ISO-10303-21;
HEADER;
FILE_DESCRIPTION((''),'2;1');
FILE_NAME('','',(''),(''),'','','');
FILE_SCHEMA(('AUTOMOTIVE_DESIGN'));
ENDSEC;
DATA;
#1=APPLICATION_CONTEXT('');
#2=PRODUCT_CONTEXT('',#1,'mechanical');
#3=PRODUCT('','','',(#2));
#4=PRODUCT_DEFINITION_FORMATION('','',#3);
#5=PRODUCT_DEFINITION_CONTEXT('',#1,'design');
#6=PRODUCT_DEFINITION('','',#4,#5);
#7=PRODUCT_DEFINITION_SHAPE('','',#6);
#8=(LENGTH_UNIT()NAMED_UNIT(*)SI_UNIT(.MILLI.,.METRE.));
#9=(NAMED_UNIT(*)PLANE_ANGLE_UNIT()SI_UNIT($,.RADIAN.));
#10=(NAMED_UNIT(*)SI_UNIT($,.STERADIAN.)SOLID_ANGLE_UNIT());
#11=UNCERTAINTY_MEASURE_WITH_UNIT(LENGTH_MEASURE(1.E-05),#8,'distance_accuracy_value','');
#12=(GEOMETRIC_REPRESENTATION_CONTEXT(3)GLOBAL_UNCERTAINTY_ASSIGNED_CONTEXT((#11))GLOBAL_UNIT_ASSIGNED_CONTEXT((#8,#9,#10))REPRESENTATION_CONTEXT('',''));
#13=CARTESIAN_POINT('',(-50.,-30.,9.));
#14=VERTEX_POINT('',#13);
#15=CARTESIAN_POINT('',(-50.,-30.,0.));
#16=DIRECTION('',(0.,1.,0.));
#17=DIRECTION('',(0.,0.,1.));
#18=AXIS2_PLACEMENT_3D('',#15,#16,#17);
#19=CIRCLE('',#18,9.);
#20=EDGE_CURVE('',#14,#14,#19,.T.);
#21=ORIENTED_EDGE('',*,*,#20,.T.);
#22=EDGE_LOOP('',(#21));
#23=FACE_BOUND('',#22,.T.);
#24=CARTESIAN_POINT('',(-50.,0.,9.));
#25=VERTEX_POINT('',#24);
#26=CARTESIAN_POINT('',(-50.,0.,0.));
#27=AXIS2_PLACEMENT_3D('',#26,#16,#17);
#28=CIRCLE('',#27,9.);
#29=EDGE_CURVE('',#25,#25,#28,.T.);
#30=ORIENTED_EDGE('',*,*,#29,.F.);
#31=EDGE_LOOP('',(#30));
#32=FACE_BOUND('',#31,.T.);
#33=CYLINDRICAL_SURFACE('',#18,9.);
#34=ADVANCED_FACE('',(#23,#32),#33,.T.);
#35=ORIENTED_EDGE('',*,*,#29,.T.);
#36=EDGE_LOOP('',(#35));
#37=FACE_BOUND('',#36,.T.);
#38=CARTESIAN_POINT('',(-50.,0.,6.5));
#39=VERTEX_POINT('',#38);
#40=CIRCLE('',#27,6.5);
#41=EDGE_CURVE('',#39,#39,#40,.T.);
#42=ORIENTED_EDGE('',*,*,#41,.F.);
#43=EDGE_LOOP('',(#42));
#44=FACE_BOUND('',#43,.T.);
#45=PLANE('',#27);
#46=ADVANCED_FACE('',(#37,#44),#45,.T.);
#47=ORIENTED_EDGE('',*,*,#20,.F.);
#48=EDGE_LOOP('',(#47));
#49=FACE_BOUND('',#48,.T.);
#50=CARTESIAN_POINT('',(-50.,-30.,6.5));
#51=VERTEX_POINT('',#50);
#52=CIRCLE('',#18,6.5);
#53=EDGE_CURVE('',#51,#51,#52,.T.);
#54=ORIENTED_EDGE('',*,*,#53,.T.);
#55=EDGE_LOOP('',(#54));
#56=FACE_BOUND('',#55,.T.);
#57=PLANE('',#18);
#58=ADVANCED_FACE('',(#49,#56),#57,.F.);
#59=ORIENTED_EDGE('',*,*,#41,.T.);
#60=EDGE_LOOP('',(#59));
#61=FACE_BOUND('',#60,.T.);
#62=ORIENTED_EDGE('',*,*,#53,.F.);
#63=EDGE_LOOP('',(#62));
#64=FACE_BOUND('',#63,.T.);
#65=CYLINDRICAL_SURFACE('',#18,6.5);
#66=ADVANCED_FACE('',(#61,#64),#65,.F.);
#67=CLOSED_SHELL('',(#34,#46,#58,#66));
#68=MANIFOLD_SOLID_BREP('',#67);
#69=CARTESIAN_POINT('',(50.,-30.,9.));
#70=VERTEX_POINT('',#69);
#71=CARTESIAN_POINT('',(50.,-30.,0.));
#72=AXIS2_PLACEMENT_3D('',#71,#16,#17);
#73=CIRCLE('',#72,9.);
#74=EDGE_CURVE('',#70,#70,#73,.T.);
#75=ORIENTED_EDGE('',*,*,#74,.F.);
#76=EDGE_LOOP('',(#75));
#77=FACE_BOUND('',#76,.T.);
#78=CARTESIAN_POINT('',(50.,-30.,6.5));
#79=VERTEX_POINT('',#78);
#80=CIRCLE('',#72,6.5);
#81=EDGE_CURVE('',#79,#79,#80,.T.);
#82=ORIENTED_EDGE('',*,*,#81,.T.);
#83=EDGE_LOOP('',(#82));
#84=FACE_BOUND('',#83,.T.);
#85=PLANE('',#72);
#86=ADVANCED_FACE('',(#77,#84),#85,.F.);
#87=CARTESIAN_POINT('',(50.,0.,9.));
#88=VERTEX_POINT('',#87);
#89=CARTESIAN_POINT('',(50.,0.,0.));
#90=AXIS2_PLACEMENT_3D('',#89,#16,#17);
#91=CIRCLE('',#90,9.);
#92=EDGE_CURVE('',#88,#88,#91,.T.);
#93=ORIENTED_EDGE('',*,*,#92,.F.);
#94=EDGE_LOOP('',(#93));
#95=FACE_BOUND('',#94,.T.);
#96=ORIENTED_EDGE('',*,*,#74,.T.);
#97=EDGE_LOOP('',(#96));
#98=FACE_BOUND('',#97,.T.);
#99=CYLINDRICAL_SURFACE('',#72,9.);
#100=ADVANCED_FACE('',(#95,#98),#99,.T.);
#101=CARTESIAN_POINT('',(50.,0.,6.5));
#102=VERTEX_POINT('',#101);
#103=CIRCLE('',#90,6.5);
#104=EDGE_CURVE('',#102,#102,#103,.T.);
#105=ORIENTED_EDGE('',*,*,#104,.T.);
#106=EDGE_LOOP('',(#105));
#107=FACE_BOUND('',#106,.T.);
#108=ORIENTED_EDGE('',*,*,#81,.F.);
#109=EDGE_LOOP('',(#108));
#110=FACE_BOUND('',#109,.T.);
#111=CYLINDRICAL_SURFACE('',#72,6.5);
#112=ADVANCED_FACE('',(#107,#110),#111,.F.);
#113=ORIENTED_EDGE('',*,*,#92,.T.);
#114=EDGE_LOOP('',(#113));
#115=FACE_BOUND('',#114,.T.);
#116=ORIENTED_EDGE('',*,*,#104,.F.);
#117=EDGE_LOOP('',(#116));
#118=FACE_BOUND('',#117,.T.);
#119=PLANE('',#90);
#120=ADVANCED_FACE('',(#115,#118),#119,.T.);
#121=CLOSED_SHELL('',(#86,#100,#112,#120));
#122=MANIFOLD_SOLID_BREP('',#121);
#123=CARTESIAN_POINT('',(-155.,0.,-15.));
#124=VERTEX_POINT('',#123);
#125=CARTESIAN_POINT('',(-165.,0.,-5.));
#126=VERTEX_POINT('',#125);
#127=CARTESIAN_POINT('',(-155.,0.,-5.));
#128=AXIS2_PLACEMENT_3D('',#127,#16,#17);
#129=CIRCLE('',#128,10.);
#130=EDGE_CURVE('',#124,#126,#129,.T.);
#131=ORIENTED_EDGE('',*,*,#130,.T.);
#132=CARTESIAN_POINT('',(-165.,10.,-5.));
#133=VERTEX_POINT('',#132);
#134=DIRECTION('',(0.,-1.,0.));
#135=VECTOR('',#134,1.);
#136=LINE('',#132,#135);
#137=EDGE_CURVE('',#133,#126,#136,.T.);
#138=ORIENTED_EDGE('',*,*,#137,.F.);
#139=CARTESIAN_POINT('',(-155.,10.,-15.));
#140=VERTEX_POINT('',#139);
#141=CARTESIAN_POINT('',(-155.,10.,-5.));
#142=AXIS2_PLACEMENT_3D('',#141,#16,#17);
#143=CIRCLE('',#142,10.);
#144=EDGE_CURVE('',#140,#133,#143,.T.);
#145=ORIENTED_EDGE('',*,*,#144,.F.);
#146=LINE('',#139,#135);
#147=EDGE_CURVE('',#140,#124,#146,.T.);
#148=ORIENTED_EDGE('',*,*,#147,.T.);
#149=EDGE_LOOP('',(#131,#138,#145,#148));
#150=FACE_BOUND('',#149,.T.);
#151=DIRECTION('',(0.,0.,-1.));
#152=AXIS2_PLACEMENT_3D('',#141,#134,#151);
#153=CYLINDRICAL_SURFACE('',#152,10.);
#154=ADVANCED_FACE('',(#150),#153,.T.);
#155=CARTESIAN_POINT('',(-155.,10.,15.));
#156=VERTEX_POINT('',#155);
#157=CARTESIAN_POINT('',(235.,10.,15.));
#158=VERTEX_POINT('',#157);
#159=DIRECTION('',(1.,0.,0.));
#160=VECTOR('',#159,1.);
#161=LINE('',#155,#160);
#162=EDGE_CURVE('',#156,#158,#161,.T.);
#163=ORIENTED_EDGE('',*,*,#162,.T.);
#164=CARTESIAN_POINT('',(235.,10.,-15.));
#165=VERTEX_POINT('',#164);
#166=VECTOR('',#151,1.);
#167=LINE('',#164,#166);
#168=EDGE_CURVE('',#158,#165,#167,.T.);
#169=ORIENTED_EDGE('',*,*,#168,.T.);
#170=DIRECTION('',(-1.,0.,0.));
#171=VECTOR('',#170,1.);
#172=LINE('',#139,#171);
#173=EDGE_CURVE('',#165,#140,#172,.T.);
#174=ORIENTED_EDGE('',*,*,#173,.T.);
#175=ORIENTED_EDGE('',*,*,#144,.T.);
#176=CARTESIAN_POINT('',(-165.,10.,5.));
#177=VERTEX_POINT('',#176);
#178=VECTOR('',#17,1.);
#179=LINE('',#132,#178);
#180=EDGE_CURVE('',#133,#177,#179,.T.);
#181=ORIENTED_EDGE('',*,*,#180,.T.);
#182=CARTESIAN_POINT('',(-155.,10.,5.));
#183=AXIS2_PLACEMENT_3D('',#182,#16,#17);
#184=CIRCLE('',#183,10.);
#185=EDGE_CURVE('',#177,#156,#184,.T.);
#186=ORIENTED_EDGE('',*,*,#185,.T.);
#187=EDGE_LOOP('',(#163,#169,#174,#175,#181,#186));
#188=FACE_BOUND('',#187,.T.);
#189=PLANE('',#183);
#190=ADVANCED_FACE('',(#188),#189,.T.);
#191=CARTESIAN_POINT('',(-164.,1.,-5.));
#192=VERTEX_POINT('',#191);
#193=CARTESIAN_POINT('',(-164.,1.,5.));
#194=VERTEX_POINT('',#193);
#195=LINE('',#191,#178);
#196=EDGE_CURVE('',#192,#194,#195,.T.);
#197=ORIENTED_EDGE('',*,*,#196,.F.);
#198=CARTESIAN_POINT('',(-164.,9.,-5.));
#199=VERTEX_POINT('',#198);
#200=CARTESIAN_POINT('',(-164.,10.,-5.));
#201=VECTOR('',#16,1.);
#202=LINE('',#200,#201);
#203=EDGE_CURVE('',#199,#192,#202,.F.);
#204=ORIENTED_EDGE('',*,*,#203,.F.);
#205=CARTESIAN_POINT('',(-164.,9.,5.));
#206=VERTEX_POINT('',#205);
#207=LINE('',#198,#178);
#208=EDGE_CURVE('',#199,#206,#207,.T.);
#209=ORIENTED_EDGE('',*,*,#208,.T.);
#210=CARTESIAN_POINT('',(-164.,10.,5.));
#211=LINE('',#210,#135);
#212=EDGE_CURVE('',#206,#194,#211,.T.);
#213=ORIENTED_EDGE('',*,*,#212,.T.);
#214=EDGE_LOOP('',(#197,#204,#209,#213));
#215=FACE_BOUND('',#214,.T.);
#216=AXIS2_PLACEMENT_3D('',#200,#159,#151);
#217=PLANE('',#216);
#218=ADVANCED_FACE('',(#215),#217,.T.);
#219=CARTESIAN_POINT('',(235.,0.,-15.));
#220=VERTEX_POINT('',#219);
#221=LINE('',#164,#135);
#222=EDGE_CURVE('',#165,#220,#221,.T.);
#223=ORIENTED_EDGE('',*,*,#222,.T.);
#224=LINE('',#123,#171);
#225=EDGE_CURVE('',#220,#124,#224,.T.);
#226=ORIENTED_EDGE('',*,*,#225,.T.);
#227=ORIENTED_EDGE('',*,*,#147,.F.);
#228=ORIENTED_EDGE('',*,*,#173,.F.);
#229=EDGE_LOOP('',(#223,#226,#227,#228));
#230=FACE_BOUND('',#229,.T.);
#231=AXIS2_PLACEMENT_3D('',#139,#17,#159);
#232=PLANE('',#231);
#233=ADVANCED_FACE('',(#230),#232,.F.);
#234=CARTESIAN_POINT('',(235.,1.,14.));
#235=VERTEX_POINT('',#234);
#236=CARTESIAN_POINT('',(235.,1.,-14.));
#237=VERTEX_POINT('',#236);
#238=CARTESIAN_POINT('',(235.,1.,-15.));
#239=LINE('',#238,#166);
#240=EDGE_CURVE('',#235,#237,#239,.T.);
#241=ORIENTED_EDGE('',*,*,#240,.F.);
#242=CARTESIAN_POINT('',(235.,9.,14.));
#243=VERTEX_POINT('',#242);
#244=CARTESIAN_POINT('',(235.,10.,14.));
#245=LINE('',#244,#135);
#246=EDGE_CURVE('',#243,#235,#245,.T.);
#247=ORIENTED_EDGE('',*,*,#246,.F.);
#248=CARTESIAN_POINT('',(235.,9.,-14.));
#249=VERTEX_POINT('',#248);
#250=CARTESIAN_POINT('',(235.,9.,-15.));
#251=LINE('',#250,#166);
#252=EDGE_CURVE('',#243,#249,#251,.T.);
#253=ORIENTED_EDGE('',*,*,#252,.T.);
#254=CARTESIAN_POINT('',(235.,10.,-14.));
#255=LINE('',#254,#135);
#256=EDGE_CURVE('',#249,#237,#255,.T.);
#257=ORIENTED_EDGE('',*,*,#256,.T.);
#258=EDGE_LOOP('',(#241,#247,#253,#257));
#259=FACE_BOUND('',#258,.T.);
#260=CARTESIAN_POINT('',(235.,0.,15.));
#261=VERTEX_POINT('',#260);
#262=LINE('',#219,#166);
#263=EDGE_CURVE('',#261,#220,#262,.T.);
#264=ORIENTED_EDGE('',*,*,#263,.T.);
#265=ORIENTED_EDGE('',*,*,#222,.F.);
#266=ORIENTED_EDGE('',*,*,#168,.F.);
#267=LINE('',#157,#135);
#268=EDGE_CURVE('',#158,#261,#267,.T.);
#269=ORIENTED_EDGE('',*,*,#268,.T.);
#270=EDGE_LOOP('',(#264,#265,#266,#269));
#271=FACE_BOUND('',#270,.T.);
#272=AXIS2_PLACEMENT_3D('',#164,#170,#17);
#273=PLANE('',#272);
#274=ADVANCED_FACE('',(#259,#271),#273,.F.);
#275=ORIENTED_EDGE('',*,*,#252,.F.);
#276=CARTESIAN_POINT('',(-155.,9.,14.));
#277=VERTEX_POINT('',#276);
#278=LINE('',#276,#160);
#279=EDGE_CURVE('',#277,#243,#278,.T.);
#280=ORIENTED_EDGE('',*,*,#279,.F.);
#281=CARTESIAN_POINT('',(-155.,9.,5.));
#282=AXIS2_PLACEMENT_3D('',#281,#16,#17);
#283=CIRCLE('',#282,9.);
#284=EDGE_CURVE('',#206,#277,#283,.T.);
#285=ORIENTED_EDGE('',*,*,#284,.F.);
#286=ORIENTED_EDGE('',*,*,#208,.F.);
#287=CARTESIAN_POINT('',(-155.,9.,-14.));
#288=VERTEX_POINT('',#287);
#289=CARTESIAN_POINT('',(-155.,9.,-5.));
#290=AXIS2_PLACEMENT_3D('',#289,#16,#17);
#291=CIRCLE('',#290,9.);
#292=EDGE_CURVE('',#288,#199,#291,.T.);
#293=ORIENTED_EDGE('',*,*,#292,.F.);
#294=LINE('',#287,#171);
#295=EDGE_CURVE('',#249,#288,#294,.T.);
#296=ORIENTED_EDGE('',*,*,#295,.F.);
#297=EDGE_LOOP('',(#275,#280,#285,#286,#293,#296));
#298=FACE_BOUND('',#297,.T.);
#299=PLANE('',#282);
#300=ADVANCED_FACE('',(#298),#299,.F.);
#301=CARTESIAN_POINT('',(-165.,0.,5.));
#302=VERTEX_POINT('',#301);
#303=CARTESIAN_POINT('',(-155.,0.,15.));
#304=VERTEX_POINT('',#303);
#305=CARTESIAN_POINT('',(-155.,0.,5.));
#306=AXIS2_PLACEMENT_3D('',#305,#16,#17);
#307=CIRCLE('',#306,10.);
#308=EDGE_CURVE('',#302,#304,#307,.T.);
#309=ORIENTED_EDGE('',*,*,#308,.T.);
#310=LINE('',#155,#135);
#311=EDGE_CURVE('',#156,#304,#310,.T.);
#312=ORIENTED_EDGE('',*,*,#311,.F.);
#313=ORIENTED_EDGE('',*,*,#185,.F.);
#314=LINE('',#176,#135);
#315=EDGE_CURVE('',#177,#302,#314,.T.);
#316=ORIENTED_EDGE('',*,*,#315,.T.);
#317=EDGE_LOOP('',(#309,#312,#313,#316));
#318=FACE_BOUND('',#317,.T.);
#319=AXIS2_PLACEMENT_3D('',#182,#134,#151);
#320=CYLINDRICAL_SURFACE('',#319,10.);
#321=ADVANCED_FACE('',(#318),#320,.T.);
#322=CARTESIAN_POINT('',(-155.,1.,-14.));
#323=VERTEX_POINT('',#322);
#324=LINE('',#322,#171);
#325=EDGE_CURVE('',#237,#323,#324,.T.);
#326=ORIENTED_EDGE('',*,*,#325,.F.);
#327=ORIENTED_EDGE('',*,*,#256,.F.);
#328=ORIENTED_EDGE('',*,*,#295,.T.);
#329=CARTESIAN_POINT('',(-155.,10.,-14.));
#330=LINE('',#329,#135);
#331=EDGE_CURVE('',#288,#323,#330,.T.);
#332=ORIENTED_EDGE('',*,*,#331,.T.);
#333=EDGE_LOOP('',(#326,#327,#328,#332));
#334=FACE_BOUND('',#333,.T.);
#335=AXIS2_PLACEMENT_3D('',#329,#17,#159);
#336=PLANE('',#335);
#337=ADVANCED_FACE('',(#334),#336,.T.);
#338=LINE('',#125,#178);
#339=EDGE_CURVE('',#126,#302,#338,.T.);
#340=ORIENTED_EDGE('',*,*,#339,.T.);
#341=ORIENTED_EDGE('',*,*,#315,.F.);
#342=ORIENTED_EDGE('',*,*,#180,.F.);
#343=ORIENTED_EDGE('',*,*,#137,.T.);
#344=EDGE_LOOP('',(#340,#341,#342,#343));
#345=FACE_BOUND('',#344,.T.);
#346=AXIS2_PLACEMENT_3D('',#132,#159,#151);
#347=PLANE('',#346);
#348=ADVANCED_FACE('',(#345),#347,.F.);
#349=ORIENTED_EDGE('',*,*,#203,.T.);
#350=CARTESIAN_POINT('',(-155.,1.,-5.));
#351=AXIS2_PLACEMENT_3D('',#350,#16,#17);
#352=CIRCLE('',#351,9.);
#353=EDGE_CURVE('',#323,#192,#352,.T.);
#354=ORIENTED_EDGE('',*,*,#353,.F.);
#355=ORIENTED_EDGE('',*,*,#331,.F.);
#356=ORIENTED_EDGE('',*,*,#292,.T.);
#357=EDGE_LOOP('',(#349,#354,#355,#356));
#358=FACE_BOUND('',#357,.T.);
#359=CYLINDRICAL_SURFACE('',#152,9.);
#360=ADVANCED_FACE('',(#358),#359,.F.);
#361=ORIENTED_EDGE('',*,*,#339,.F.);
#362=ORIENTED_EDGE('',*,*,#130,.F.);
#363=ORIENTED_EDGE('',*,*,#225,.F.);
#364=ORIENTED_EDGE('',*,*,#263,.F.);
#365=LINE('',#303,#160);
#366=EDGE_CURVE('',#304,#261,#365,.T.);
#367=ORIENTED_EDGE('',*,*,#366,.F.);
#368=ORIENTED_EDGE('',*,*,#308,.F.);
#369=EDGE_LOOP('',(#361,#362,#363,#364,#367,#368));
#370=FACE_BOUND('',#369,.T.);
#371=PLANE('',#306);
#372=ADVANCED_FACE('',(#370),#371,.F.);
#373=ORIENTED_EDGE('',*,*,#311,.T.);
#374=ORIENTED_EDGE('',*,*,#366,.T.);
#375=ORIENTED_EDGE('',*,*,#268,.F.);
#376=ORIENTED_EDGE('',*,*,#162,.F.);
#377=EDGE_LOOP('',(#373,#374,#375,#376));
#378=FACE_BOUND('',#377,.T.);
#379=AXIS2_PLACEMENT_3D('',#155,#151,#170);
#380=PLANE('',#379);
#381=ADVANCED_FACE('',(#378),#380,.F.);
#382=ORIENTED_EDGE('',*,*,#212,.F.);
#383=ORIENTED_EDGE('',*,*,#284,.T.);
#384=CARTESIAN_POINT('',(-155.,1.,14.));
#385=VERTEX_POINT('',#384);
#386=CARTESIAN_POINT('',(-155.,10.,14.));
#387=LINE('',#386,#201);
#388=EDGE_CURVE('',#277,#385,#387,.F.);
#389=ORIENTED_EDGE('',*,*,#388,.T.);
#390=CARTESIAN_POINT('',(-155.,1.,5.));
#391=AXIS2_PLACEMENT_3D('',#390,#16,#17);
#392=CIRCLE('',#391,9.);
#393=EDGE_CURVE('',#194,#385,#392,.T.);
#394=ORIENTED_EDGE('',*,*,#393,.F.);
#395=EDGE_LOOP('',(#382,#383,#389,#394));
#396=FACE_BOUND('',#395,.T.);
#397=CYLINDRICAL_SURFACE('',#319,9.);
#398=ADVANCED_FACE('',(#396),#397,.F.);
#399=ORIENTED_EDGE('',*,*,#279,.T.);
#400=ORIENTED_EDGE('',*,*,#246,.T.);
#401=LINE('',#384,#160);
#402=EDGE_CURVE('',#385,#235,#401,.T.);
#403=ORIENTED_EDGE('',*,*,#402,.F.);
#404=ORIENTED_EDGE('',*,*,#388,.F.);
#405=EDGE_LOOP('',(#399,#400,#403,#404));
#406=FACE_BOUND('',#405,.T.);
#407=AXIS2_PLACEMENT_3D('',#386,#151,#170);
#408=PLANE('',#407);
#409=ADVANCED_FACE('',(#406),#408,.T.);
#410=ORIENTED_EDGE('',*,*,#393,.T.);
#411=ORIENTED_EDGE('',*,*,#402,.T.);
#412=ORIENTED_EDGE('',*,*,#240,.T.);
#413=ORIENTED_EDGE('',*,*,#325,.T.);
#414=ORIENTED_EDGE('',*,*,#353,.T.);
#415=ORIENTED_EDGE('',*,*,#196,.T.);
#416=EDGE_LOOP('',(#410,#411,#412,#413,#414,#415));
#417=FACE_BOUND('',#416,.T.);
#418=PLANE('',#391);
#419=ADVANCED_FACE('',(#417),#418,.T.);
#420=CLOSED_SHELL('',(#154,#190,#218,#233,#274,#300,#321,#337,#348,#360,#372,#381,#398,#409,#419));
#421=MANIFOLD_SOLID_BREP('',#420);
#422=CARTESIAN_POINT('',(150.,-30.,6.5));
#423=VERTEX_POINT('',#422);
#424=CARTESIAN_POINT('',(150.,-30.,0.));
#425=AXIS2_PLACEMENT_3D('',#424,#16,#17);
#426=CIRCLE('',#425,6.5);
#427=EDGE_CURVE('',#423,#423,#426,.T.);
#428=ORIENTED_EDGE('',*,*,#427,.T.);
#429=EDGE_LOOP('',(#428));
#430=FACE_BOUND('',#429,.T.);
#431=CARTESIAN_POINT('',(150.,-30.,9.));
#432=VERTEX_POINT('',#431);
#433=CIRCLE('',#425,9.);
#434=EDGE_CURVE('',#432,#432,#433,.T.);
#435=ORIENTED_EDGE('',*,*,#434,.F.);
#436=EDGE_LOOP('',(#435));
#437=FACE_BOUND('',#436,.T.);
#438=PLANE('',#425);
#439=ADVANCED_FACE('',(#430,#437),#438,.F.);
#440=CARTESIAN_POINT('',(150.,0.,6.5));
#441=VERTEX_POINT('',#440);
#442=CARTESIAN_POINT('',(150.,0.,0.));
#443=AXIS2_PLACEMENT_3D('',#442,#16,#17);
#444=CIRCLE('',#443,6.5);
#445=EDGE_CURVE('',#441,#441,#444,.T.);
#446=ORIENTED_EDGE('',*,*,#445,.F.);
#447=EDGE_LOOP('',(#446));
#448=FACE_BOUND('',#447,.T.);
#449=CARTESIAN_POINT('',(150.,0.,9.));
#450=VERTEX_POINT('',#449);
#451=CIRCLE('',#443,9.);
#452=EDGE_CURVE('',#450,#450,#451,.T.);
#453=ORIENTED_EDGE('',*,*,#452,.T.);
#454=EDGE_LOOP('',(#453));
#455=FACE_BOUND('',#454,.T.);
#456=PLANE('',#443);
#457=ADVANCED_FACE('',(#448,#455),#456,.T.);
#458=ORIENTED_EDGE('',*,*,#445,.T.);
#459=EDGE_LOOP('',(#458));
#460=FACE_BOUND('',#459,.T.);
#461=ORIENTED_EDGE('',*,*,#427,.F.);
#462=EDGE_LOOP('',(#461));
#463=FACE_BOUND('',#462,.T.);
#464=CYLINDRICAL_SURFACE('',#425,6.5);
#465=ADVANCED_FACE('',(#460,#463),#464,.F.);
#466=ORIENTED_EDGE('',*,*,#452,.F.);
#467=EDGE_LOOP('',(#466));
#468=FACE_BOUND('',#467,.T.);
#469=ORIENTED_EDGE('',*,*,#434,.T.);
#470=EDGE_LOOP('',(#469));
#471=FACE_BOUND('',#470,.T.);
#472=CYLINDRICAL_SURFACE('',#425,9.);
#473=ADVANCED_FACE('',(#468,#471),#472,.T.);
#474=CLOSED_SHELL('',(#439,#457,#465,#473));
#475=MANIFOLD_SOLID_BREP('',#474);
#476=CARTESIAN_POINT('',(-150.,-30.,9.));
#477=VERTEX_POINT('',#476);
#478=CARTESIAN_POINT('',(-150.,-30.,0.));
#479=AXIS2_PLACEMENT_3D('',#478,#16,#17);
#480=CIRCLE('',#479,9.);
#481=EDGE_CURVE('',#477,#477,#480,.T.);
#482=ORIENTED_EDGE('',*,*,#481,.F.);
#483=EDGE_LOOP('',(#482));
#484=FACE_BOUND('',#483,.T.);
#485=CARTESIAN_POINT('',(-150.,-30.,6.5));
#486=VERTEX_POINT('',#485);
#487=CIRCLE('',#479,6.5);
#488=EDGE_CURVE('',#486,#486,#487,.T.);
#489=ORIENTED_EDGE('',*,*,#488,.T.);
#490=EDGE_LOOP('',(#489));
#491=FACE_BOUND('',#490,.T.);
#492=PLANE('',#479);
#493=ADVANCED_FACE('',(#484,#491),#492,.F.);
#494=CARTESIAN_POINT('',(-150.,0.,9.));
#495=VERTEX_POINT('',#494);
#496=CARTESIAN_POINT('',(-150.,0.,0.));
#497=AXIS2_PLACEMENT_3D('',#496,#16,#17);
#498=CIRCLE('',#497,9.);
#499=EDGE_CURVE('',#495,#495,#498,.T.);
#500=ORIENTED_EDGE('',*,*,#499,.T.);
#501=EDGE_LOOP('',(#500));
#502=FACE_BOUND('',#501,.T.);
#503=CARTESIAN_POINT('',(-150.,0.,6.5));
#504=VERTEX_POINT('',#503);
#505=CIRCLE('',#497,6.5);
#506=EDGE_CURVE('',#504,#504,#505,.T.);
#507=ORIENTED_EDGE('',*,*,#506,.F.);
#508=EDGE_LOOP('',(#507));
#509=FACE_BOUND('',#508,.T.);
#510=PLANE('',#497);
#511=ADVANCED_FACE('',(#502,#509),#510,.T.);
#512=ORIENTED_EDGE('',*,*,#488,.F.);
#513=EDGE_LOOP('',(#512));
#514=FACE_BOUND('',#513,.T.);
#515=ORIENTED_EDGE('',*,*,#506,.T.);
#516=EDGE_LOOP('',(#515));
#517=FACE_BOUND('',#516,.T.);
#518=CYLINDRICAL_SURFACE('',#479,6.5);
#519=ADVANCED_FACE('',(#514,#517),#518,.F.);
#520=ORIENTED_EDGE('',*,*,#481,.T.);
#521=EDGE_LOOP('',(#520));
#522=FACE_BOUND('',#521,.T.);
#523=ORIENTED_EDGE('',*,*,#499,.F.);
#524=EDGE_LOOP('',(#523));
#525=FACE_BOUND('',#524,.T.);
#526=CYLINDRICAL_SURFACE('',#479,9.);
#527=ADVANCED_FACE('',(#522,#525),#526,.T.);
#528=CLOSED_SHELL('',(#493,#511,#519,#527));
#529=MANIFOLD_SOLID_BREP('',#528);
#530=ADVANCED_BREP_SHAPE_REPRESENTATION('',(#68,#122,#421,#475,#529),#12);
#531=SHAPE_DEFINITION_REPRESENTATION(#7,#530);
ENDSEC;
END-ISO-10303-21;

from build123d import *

# Parameters (mm, degrees)
SKETCH1_R             = 9
SKETCH1_R_2           = 6.5
BOSS_EXTRUDE1_DEPTH   = 30
BOSS_EXTRUDE1_2_DEPTH = 30
BOSS_EXTRUDE1_3_DEPTH = 30
BOSS_EXTRUDE1_4_DEPTH = 30
BOSS_EXTRUDE2_DEPTH   = 10
SHELL3_T              = -1


with BuildPart() as part:
    # Sketch1 → Boss-Extrude1 (new body)
    with BuildSketch(Plane(origin=(0, 0, 0), x_dir=(1, 0, 0), z_dir=(0, 1, 0))):
        with Locations(Location((-150, 0, 0), (0, 0, 270))):
            Circle(SKETCH1_R)
        with Locations(Location((-150, 0, 0), (0, 0, 270))):
            Circle(SKETCH1_R_2, mode=Mode.SUBTRACT)
    extrude(amount=-BOSS_EXTRUDE1_DEPTH)


with BuildPart() as body_2:
    # Sketch1 → Boss-Extrude1 2 (new body)
    with BuildSketch(Plane(origin=(0, 0, 0), x_dir=(1, 0, 0), z_dir=(0, 1, 0))):
        with Locations(Location((-50, 0, 0), (0, 0, 270))):
            Circle(SKETCH1_R)
        with Locations(Location((-50, 0, 0), (0, 0, 270))):
            Circle(SKETCH1_R_2, mode=Mode.SUBTRACT)
    extrude(amount=-BOSS_EXTRUDE1_2_DEPTH)


with BuildPart() as body_3:
    # Sketch1 → Boss-Extrude1 3 (new body)
    with BuildSketch(Plane(origin=(0, 0, 0), x_dir=(1, 0, 0), z_dir=(0, 1, 0))):
        with Locations(Location((50, 0, 0), (0, 0, 270))):
            Circle(SKETCH1_R)
        with Locations(Location((50, 0, 0), (0, 0, 270))):
            Circle(SKETCH1_R_2, mode=Mode.SUBTRACT)
    extrude(amount=-BOSS_EXTRUDE1_3_DEPTH)


with BuildPart() as body_4:
    # Sketch1 → Boss-Extrude1 4 (new body)
    with BuildSketch(Plane(origin=(0, 0, 0), x_dir=(1, 0, 0), z_dir=(0, 1, 0))):
        with Locations(Location((150, 0, 0), (0, 0, 270))):
            Circle(SKETCH1_R)
        with Locations(Location((150, 0, 0), (0, 0, 270))):
            Circle(SKETCH1_R_2, mode=Mode.SUBTRACT)
    extrude(amount=-BOSS_EXTRUDE1_4_DEPTH)


with BuildPart() as body_5:
    # Sketch2 → Boss-Extrude2 (new body)
    with BuildSketch(Plane(origin=(0, 0, 0), x_dir=(1, 0, 0), z_dir=(0, 1, 0))):
        with BuildLine():
            Line((-155, 15), (235, 15))
            Line((235, 15), (235, -15))
            Line((235, -15), (-155, -15))
            ThreePointArc((-155, -15), (-162.071067812, -12.071067812), (-165, -5))
            Line((-165, -5), (-165, 5))
            ThreePointArc((-165, 5), (-162.071067812, 12.071067812), (-155, 15))
        make_face()
    extrude(amount=BOSS_EXTRUDE2_DEPTH)

    # Shell3
    shell3_openings = [body_5.faces().sort_by_distance(p)[0] for p in [
        (235, 5, 0),
    ]]
    offset(amount=SHELL3_T, openings=shell3_openings, kind=Kind.INTERSECTION)


solid = Compound([part.part, body_2.part, body_3.part, body_4.part, body_5.part])
